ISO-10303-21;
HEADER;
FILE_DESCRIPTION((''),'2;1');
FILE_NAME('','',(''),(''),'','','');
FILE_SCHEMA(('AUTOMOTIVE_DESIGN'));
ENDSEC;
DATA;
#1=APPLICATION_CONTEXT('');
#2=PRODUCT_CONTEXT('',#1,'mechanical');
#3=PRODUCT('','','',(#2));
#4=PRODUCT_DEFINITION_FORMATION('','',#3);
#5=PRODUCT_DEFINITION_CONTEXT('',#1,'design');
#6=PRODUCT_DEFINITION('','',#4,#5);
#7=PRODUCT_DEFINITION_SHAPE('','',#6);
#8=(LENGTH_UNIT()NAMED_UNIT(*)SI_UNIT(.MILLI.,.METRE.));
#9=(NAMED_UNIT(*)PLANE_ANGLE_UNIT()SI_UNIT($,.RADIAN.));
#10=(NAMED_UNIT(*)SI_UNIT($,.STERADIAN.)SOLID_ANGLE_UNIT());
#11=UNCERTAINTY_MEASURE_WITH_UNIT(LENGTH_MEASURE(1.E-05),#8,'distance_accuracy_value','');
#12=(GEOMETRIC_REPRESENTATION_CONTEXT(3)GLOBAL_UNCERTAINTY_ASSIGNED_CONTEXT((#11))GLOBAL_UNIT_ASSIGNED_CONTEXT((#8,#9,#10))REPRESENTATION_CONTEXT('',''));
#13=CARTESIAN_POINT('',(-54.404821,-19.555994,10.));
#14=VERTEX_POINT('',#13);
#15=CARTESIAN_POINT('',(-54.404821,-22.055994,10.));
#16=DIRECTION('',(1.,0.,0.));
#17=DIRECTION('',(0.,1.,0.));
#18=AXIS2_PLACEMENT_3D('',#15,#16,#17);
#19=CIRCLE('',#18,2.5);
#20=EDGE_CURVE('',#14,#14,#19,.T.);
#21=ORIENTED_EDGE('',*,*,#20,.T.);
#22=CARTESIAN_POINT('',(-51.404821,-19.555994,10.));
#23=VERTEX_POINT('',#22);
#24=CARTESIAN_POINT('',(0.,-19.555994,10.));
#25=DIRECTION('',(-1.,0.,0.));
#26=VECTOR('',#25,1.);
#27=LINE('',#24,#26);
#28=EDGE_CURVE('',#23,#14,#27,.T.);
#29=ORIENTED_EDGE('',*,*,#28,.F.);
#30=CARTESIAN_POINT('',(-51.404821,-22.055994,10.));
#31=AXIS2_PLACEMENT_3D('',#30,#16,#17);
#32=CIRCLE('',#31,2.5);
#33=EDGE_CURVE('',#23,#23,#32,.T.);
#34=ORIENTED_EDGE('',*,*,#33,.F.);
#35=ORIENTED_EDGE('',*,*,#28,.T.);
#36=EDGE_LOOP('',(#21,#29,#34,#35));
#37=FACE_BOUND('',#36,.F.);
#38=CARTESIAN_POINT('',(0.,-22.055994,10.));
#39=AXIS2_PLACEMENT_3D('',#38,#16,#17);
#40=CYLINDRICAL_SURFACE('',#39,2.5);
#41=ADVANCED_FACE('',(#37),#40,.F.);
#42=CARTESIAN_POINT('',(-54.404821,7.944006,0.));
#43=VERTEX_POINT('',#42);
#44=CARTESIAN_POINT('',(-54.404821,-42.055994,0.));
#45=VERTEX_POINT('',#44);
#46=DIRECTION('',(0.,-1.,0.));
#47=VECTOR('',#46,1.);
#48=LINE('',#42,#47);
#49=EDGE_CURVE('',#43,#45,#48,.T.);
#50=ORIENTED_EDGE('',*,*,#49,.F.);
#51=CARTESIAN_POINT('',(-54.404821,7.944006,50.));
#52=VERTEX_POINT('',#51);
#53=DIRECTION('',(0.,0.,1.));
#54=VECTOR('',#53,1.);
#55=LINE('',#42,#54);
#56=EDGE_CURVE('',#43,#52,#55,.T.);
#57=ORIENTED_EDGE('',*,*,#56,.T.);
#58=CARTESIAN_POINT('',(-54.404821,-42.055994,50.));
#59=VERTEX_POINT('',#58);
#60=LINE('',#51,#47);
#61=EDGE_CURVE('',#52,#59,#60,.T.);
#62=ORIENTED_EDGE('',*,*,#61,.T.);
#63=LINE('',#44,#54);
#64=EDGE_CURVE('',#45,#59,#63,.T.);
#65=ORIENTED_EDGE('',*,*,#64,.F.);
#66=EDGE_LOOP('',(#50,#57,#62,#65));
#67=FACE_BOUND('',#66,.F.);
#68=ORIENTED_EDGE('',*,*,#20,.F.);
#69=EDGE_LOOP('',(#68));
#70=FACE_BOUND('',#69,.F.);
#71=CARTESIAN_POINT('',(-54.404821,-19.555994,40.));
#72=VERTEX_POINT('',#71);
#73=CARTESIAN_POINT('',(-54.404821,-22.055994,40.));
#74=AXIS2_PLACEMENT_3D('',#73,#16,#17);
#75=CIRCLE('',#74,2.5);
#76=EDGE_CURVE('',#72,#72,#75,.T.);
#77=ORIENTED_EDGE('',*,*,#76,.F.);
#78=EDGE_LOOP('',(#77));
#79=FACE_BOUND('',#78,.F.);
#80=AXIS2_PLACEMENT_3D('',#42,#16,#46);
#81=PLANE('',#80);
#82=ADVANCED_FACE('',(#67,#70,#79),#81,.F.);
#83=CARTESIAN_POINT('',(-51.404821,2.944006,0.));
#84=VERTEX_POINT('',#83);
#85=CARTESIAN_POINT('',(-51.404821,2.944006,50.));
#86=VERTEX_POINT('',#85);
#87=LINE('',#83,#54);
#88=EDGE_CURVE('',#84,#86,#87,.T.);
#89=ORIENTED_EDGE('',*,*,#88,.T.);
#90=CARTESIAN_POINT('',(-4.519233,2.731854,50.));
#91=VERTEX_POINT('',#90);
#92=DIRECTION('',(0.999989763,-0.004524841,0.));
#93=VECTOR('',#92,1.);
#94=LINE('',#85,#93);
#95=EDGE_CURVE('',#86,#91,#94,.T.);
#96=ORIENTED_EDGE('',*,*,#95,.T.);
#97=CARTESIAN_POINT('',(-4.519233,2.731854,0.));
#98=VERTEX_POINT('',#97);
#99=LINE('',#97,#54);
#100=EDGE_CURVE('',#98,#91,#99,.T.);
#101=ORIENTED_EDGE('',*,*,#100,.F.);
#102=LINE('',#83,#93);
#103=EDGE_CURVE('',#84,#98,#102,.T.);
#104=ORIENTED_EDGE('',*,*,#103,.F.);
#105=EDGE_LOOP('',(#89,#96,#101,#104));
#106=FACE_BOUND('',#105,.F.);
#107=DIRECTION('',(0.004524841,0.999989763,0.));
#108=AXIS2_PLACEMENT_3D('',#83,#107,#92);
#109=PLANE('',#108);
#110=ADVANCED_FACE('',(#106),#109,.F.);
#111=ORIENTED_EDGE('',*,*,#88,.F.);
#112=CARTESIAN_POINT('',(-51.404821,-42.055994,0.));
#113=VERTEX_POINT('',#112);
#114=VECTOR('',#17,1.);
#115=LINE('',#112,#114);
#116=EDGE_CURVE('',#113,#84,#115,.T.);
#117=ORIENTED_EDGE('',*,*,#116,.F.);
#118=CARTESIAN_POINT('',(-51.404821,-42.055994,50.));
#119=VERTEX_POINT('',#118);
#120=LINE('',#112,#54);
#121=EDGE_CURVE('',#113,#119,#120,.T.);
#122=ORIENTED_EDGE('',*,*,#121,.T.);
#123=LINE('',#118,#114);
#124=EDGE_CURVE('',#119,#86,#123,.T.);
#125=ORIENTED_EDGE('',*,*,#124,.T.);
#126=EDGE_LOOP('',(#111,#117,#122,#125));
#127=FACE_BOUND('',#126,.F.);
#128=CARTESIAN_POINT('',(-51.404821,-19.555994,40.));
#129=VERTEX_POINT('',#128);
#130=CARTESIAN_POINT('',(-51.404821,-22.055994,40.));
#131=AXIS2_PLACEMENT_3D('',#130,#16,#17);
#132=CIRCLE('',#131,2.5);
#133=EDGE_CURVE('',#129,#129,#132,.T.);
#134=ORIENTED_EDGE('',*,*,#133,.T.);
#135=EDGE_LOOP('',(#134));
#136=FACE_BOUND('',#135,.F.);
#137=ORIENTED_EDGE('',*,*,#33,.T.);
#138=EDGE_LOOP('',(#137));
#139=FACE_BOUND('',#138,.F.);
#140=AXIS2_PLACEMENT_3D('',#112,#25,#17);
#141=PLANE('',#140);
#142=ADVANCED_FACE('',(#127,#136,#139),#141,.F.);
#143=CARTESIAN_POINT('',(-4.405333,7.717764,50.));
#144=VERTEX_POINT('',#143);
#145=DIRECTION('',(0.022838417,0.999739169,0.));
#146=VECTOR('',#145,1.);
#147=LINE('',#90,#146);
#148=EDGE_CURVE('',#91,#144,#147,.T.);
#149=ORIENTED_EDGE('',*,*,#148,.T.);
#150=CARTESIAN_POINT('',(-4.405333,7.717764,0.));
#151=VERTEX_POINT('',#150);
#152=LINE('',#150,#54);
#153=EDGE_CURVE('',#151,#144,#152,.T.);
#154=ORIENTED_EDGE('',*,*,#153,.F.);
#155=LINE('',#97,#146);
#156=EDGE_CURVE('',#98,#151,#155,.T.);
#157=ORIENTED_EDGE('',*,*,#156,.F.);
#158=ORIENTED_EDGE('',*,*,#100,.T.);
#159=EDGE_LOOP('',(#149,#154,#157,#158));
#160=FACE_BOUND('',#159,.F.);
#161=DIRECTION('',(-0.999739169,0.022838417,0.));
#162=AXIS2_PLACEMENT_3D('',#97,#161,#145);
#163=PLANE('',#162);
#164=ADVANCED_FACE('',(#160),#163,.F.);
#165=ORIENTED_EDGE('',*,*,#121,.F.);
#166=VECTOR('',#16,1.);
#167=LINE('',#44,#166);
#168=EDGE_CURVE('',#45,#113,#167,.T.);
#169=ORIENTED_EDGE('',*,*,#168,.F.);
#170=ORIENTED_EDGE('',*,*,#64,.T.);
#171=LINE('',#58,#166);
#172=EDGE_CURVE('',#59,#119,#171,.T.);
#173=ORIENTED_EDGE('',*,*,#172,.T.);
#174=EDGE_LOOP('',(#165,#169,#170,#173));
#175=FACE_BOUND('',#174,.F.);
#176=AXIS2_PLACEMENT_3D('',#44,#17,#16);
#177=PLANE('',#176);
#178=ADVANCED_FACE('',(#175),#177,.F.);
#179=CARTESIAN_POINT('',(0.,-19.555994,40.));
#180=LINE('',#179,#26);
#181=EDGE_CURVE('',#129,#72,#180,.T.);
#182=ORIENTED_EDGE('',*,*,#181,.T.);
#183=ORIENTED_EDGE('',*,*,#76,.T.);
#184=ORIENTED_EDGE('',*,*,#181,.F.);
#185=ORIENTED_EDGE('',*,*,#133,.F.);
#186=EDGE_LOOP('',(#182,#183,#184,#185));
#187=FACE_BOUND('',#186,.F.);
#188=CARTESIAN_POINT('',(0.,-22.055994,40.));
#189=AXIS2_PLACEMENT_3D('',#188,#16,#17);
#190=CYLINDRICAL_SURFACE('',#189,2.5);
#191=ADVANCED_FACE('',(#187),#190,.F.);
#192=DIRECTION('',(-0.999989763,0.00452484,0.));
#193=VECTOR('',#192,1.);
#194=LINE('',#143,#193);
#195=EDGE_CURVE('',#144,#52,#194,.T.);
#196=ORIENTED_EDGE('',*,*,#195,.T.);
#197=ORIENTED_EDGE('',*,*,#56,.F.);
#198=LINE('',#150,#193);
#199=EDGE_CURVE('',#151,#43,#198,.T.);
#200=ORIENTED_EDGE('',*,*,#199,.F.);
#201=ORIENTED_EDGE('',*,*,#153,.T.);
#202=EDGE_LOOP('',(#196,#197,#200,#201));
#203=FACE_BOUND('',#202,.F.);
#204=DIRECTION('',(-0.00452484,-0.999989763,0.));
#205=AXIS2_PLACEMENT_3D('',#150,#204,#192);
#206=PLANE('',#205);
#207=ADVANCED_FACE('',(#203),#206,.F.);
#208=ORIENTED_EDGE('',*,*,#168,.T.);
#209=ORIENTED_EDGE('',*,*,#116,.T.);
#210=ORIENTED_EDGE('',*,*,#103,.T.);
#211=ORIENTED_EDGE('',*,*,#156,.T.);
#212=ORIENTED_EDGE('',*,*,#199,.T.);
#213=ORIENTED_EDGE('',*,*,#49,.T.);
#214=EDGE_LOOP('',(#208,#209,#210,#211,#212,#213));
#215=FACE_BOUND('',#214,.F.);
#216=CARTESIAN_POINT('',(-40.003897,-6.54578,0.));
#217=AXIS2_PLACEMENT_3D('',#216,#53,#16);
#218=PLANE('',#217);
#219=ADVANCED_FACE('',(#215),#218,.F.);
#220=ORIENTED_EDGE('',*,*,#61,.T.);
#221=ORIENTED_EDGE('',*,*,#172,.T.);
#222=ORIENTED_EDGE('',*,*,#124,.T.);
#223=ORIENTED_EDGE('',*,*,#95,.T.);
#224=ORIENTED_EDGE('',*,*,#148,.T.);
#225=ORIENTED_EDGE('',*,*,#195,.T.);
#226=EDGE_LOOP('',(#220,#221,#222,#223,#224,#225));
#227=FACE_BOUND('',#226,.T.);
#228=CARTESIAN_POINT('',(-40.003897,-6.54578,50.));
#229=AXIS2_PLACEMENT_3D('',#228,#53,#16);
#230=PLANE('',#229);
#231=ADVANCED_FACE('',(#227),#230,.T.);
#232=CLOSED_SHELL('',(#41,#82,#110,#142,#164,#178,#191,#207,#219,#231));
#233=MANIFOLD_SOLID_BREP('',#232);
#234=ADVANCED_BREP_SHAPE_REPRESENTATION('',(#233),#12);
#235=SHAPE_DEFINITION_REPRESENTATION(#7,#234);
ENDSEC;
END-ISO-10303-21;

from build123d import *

# Parameters (mm, degrees)
F1_DEPTH = 50
F2_R     = 2.5
F3_DEPTH = 93


with BuildPart() as f1:
    # F0 (on Top) → F1 (new body)
    with BuildSketch(Plane.XY):
        Polygon((-4.405333, 7.717764), (-54.404821, 7.944006), (-54.404821, -42.055994), (-51.404821, -42.055994), (-51.404821, 2.944006), (-4.519233, 2.731854), align=None)
    extrude(amount=F1_DEPTH)

    # F2 (on Right) → F3 (cut)
    with BuildSketch(Plane.YZ):
        with Locations((-22.055994, 40)):
            Circle(F2_R)
        with Locations((-22.055994, 10)):
            Circle(F2_R)
    extrude(amount=-F3_DEPTH, mode=Mode.SUBTRACT)


solid = f1.part
